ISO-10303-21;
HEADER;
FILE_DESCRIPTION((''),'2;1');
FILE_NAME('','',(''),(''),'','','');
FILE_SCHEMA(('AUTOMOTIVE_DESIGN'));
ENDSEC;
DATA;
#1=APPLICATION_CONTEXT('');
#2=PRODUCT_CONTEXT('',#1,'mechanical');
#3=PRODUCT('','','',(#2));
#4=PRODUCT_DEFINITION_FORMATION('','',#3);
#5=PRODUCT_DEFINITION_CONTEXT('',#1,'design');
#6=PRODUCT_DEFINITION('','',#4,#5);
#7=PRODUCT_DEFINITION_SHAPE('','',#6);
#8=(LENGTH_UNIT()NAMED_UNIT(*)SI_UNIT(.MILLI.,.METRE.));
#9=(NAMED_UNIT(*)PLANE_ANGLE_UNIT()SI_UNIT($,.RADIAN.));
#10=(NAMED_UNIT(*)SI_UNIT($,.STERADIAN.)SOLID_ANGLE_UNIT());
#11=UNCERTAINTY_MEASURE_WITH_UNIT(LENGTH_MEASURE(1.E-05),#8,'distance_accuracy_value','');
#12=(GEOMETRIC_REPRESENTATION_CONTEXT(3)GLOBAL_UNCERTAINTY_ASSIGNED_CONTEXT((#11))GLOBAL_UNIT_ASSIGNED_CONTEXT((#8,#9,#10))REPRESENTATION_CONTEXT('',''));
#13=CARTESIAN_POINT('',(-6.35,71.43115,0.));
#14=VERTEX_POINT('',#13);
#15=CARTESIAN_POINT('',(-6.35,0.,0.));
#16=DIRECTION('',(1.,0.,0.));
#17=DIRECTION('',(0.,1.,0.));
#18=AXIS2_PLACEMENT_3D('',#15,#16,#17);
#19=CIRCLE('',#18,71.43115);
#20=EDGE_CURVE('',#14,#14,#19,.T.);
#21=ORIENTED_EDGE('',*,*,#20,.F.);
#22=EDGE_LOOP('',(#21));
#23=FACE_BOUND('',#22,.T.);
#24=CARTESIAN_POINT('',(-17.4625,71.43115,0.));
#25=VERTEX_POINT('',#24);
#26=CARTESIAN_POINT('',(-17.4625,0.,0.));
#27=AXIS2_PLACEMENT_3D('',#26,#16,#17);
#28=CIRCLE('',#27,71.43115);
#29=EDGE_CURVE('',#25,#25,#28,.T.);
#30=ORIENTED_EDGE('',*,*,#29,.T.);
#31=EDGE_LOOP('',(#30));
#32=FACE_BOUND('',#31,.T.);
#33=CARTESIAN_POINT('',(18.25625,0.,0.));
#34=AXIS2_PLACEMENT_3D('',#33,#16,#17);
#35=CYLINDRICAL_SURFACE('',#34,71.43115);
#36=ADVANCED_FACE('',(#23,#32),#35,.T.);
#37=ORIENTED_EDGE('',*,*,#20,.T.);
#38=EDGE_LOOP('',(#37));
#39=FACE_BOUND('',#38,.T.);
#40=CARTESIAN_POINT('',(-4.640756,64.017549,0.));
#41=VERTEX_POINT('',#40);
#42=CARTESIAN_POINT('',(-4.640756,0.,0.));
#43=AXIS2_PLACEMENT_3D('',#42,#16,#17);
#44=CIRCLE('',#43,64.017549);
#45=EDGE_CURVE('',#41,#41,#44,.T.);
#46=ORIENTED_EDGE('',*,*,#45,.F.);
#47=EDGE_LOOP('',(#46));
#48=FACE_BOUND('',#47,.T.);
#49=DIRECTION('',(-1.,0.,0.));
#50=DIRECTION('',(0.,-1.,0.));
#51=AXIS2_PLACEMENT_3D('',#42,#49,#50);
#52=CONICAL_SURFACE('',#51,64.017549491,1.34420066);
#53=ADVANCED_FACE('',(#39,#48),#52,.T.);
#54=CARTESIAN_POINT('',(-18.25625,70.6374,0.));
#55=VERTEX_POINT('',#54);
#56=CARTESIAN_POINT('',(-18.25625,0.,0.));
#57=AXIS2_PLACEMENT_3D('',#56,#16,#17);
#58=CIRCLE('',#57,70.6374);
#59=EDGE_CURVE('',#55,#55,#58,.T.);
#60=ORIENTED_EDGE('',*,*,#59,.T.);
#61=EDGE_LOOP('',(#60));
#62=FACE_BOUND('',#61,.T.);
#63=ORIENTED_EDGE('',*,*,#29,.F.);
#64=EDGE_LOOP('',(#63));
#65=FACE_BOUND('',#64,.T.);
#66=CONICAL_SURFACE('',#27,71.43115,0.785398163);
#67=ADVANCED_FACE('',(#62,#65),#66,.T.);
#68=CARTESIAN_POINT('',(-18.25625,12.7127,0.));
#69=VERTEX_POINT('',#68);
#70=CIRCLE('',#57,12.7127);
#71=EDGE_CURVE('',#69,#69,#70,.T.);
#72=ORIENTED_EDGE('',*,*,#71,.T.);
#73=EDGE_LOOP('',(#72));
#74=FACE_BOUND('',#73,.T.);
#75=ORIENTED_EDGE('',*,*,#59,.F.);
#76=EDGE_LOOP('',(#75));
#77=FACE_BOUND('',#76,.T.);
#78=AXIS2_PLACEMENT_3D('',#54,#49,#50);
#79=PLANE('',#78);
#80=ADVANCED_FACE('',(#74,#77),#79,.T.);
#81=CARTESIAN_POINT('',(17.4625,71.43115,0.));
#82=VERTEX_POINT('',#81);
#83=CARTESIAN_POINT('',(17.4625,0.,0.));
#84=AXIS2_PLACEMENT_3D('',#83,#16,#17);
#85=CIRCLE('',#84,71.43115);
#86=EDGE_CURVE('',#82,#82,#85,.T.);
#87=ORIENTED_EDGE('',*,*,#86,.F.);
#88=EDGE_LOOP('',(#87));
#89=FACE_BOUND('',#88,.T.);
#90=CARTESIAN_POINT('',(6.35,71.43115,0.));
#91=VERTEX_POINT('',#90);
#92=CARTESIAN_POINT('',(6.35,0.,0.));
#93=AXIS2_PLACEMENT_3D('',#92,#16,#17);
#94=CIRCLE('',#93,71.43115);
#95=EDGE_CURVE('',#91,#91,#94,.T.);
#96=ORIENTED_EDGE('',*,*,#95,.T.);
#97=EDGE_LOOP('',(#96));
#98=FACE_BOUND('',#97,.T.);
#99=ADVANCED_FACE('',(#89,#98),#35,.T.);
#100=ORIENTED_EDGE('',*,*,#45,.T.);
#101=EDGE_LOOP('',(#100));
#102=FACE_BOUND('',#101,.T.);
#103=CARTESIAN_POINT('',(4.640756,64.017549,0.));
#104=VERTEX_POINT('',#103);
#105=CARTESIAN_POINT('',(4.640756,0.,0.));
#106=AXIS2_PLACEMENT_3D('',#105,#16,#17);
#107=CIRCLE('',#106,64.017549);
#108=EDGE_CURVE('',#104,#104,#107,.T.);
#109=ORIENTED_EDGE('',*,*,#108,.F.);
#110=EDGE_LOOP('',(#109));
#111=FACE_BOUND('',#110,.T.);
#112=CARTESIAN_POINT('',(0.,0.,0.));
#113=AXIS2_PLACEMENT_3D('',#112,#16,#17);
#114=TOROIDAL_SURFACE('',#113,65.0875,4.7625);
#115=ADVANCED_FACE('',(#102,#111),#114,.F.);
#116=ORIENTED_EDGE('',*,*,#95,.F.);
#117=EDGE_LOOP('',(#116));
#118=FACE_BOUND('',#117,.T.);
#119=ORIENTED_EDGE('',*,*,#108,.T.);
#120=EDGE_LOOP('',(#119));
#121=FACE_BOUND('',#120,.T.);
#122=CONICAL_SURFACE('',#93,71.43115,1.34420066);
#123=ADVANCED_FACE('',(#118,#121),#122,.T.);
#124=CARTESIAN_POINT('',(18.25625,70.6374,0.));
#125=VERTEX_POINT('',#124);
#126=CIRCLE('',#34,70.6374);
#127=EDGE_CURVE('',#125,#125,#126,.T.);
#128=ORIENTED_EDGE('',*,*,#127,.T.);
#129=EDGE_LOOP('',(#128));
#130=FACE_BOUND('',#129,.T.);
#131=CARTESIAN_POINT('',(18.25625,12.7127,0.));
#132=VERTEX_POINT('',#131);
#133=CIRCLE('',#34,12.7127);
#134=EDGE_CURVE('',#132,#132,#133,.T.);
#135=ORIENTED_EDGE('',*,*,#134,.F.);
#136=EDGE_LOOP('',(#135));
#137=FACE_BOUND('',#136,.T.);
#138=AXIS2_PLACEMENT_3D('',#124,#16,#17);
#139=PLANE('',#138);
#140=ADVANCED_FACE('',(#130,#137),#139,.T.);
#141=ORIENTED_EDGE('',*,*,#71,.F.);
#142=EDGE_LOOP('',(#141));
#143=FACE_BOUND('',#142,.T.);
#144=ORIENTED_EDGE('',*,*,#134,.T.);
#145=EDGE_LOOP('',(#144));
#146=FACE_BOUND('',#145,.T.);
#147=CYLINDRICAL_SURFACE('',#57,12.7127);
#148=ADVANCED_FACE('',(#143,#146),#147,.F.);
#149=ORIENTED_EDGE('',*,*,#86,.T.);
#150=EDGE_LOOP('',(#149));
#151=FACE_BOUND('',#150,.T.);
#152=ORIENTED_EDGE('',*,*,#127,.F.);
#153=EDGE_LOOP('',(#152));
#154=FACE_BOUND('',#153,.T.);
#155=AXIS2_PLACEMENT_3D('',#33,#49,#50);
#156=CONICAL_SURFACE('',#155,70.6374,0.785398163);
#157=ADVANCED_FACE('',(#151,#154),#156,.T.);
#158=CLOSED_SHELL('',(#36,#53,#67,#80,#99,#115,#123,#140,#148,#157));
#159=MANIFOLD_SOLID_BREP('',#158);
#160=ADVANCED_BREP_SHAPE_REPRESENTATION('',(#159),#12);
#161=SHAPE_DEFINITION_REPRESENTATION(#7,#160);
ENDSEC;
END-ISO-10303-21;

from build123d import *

# Parameters (mm, degrees)
SKETCH2_R          = 12.7127
CUT_EXTRUDE1_DEPTH = 37.5125


with BuildPart() as part:
    # Sketch1 → Revolve1 (revolve)
    with BuildSketch(Plane.XY):
        with BuildLine():
            Line((18.25625, 0), (-18.25625, 0))
            Line((-18.25625, 0), (-18.25625, 70.6374))
            Line((-18.25625, 70.6374), (-17.4625, 71.43115))
            Line((-17.4625, 71.43115), (-6.35, 71.43115))
            Line((-6.35, 71.43115), (-4.640755559, 64.017549491))
            ThreePointArc((-4.640755559, 64.017549491), (0, 60.325), (4.640755559, 64.017549491))
            Line((4.640755559, 64.017549491), (6.35, 71.43115))
            Line((6.35, 71.43115), (17.4625, 71.43115))
            Line((17.4625, 71.43115), (18.25625, 70.6374))
            Line((18.25625, 70.6374), (18.25625, 0))
        make_face()
    revolve(axis=Axis((18.25625, 0, 0), (-1, 0, 0)))

    # Sketch2 → Cut-Extrude1 (cut, through all)
    with BuildSketch(Plane(origin=(18.25625, 0, 0), x_dir=(0, 0, -1), z_dir=(1, 0, 0))):
        with Locations(Location((0, 0, 0), (0, 0, 90))):  # turned: the seam where the file's is
            Circle(SKETCH2_R)
    extrude(amount=-CUT_EXTRUDE1_DEPTH, mode=Mode.SUBTRACT)


solid = part.part
